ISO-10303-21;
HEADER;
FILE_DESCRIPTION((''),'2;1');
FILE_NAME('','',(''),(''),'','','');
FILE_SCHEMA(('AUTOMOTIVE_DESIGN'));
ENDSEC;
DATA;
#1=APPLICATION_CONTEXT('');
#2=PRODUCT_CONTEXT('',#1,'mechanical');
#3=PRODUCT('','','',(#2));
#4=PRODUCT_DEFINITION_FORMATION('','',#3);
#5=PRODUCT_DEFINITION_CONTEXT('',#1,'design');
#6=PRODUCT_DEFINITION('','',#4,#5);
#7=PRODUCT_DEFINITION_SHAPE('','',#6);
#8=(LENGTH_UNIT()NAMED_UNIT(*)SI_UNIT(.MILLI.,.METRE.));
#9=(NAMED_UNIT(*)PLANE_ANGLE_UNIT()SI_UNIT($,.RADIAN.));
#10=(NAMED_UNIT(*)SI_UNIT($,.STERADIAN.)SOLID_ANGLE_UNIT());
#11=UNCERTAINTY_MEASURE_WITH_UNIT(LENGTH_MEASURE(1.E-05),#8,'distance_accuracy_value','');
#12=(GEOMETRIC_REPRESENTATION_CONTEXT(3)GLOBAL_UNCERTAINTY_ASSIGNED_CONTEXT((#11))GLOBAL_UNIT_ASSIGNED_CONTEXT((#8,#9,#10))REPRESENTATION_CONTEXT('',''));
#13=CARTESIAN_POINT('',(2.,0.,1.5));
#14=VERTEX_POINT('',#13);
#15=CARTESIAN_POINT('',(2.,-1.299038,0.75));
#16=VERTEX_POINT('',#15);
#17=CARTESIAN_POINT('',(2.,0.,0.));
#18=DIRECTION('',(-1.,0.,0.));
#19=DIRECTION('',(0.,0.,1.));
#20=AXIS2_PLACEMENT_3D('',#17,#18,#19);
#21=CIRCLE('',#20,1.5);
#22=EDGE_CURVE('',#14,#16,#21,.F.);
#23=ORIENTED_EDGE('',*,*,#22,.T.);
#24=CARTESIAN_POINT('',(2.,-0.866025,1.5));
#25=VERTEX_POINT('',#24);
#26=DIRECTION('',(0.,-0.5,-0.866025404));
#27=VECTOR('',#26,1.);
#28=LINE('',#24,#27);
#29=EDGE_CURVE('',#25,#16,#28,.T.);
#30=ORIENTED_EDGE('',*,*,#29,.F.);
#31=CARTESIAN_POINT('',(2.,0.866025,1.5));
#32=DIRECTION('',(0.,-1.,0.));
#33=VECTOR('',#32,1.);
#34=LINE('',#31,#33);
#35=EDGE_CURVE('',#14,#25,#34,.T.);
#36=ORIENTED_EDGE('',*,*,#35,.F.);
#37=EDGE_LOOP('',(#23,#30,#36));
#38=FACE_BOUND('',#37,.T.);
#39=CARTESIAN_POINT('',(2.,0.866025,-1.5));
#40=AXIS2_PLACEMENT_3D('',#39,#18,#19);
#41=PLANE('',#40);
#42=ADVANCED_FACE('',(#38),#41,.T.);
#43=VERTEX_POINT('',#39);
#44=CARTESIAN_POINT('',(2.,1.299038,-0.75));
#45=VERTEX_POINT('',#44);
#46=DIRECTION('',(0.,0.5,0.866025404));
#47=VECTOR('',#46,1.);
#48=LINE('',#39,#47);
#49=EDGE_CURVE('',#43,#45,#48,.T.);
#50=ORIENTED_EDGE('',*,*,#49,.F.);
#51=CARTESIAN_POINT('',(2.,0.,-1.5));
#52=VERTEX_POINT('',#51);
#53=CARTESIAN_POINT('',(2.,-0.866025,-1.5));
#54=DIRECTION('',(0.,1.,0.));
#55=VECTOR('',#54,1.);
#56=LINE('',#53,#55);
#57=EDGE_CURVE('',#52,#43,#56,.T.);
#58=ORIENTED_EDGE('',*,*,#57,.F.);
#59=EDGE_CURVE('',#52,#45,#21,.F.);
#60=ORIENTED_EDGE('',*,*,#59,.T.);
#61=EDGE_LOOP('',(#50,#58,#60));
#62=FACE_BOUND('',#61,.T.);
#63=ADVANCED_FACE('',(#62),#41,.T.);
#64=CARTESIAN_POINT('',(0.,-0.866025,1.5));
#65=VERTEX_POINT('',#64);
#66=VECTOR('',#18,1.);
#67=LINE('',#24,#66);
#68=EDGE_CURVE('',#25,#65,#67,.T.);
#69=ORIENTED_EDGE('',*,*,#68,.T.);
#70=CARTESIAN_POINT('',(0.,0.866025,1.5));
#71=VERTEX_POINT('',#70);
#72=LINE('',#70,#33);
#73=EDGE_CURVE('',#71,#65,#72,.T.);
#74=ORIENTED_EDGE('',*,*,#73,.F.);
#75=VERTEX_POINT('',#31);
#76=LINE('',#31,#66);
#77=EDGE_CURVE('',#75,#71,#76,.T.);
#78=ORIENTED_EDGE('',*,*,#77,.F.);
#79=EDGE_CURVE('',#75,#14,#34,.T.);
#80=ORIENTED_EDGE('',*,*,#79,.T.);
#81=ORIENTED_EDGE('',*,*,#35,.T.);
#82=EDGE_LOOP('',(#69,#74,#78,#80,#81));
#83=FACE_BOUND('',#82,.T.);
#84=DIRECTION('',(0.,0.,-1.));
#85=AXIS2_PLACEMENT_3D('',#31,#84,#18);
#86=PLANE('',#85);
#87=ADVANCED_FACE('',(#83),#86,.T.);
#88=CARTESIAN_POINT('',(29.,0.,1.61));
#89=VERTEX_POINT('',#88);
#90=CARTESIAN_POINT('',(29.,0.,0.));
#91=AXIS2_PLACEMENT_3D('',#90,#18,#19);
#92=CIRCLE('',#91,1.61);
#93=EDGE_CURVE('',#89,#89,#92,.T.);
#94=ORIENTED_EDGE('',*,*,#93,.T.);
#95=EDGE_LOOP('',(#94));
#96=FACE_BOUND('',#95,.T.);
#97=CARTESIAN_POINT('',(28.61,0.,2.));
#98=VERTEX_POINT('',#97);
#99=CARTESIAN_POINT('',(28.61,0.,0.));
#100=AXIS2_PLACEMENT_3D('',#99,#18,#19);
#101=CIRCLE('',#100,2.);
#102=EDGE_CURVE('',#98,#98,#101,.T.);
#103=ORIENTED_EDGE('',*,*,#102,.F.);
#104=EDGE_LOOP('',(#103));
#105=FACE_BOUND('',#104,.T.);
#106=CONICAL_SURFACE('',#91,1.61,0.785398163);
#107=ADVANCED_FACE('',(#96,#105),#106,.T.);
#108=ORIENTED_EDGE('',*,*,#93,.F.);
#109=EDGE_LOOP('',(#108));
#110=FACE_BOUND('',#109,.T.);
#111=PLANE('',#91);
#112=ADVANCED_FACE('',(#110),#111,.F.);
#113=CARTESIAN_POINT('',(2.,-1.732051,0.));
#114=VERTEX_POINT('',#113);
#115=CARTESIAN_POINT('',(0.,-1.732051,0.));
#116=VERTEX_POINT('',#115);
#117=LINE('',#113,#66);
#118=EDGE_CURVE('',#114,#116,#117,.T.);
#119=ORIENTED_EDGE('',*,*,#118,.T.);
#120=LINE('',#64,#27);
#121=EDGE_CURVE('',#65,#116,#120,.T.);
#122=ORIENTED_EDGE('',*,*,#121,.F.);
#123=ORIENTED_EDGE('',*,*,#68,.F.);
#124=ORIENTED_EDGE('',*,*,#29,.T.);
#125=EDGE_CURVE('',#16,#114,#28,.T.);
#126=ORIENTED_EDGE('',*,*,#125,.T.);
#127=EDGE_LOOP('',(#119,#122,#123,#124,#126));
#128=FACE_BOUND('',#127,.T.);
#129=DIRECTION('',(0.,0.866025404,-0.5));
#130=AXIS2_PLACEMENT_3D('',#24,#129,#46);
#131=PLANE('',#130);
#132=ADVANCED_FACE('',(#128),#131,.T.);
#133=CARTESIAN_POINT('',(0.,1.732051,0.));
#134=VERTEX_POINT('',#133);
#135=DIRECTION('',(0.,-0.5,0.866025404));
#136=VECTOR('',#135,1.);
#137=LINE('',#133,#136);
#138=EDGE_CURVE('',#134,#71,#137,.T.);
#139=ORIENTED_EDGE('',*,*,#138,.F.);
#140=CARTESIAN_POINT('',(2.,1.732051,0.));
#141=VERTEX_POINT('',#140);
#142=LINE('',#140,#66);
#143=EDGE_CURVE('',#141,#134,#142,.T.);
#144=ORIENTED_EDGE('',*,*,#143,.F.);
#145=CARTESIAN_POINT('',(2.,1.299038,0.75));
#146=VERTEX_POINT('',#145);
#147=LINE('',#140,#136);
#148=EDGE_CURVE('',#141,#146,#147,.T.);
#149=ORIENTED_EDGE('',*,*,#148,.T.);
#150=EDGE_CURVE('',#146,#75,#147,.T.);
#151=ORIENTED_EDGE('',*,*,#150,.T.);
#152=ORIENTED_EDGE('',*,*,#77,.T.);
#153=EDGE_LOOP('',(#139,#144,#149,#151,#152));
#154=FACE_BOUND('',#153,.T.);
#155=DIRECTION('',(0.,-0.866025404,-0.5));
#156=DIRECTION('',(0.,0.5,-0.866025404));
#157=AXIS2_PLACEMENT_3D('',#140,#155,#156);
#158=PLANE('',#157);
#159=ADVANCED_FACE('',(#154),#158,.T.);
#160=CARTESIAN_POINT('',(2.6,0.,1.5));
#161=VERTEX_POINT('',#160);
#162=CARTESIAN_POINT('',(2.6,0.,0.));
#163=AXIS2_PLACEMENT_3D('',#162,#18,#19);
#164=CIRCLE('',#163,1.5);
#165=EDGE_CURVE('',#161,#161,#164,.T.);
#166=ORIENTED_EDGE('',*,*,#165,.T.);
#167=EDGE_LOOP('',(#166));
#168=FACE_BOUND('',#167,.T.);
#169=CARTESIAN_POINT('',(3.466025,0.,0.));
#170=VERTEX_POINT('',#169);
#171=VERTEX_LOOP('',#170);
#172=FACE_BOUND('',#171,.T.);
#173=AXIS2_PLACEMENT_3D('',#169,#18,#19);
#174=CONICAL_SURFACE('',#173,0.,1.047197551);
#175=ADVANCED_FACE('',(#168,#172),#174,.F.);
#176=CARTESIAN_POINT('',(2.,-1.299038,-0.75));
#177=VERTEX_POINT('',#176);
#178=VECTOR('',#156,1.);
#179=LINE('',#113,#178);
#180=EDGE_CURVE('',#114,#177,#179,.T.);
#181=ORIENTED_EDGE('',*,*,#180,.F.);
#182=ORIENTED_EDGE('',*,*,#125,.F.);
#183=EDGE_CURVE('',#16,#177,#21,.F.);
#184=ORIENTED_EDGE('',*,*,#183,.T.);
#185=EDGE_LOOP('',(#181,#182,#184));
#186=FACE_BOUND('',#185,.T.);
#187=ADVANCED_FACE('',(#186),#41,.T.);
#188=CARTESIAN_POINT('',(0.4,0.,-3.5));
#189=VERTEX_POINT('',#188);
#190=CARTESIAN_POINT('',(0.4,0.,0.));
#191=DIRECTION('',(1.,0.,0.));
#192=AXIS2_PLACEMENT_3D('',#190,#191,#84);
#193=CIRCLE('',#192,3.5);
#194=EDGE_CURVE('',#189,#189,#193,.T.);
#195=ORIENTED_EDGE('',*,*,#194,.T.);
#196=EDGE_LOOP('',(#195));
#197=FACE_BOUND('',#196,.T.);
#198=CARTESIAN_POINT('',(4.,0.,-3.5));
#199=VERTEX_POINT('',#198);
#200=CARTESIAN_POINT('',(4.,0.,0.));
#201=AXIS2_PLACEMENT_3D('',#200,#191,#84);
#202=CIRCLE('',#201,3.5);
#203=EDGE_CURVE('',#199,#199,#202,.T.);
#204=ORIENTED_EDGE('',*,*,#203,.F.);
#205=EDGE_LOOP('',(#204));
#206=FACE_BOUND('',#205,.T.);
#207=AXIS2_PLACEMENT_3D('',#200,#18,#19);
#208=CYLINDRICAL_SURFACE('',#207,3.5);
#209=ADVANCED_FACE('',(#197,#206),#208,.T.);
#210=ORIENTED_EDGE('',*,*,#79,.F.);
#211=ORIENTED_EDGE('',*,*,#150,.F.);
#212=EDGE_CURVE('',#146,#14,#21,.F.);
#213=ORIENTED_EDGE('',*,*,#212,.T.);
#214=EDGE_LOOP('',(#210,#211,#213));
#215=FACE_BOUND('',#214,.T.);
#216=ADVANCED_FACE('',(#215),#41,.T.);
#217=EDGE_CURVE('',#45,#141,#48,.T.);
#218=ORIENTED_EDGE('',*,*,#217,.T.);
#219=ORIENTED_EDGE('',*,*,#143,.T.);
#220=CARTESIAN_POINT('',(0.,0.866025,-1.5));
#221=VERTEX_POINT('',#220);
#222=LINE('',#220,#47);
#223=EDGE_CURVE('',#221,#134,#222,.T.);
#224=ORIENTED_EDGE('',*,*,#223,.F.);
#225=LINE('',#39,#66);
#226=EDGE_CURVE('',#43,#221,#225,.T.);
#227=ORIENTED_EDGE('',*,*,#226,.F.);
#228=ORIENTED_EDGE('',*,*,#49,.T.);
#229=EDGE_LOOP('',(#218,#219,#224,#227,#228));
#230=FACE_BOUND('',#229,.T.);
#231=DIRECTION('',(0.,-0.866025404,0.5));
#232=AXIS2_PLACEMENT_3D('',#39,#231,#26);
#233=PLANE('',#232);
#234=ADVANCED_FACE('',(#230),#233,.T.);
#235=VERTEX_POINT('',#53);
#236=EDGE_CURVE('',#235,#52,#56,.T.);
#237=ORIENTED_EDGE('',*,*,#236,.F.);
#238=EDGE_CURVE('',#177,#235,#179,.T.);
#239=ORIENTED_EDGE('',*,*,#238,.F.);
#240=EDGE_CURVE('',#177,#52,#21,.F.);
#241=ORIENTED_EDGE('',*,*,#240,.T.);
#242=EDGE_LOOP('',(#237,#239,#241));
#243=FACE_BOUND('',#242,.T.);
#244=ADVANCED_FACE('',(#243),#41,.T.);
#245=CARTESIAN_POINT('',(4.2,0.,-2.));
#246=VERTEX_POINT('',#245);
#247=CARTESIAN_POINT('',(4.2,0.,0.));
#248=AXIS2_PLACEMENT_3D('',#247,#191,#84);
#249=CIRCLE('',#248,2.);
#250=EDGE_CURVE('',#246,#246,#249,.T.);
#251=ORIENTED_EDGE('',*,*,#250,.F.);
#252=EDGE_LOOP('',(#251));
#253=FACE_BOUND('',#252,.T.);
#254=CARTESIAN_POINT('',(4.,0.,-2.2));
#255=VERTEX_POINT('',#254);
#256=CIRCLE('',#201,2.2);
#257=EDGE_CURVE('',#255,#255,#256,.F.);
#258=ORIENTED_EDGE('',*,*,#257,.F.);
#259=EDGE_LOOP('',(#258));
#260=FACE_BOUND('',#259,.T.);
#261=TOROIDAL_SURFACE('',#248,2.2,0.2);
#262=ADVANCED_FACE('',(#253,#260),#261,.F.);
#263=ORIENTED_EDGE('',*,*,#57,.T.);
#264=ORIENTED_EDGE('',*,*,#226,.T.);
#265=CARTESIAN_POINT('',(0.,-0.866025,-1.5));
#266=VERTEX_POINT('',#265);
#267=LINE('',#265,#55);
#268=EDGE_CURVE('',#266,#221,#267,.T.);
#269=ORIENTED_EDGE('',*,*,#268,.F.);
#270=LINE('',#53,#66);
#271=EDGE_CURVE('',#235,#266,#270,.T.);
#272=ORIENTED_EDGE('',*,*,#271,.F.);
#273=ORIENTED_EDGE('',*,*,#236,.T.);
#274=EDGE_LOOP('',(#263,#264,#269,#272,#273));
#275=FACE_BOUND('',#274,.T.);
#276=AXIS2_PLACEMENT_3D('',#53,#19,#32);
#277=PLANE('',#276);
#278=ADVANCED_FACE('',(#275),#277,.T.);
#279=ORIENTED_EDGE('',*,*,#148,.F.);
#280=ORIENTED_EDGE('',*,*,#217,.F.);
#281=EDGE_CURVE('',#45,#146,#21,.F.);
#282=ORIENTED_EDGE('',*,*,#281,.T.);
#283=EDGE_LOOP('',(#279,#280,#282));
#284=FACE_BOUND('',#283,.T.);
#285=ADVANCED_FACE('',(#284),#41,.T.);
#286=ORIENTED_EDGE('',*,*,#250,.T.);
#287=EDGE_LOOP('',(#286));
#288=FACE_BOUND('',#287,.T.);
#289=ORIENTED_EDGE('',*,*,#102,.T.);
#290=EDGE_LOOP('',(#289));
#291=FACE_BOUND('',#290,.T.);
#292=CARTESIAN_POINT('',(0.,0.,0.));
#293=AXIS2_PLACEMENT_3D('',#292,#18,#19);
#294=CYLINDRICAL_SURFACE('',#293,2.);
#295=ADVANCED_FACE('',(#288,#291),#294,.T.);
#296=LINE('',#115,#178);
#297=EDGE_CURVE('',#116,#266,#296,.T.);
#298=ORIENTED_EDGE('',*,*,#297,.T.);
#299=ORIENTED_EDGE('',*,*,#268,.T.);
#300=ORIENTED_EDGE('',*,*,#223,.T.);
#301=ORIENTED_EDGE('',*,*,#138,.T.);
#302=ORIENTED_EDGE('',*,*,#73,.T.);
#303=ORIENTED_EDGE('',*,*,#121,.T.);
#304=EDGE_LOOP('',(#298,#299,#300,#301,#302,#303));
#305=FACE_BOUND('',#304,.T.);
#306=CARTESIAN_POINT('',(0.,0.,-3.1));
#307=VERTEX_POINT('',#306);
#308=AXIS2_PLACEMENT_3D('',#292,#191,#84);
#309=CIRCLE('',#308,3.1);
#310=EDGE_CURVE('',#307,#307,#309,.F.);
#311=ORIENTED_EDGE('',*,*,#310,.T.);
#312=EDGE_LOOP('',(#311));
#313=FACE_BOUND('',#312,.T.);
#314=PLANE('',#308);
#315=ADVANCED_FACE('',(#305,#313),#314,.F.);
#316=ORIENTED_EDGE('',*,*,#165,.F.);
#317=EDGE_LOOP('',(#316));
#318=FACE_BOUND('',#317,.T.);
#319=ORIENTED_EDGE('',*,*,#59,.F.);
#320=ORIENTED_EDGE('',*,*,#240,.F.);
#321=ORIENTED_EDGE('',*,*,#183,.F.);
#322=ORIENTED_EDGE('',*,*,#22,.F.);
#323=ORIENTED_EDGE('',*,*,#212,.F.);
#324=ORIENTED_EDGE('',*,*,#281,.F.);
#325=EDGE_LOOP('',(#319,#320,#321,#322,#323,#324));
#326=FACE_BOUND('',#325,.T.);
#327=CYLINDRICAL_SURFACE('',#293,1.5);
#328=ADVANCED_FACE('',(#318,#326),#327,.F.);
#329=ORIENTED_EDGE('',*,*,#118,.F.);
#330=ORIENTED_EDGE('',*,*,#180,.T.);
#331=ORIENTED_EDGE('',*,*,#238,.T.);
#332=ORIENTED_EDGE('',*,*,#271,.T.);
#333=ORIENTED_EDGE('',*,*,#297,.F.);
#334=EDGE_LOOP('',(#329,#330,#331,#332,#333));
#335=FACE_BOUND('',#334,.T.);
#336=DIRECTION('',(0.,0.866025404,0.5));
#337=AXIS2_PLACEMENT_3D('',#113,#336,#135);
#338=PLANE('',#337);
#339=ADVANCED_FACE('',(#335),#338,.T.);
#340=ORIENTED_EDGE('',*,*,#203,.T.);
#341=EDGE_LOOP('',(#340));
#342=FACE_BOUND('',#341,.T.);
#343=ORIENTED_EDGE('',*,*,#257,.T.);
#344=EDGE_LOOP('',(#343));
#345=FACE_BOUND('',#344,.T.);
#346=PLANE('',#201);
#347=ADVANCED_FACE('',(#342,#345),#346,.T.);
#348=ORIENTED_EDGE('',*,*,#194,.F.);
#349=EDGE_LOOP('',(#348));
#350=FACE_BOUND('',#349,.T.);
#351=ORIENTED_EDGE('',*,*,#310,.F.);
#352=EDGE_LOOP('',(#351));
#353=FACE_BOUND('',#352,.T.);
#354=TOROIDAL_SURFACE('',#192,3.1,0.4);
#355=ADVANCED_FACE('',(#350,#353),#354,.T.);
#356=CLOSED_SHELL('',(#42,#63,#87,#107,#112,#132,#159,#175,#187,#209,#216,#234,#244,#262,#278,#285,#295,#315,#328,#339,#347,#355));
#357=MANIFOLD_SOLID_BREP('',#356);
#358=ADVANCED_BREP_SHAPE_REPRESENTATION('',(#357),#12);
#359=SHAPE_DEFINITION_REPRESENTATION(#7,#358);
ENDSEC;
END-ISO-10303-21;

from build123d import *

# Parameters (mm, degrees)
BASEHEADSKE_R   = 3.5
BASEHEAD_DEPTH  = 4
CUTSOCKET_DEPTH = 2
FILLET1_R       = 0.2
FILLET2_R       = 0.4


with BuildPart() as part:
    # BaseHeadSke → BaseHead (new body)
    with BuildSketch(Plane(origin=(0, 0, 0), x_dir=(0, 0, -1), z_dir=(1, 0, 0))):
        Circle(BASEHEADSKE_R)
    extrude(amount=BASEHEAD_DEPTH)

    # BodySke → BaseBody (revolve)
    with BuildSketch(Plane.XY, mode=Mode.PRIVATE) as basebody_sk:
        Polygon((0, 0), (29, 0), (29, 1.61), (28.61, 2), (0, 2), align=None)
    revolve(basebody_sk.sketch.rotate(Axis((0, 0, 0), (1, 0, 0)), 90), axis=Axis((0, 0, 0), (1, 0, 0)))

    # CutSocketSke → CutSocket (cut)
    with BuildSketch(Plane(origin=(0, 0, 0), x_dir=(0, 0, -1), z_dir=(1, 0, 0))):
        Polygon((0, 1.732050808), (-1.5, 0.866025404), (-1.5, -0.866025404), (0, -1.732050808), (1.5, -0.866025404), (1.5, 0.866025404), align=None)
    extrude(amount=CUTSOCKET_DEPTH, mode=Mode.SUBTRACT)

    # CutHoleSke → CutHole (revolve, cut)
    with BuildSketch(Plane.XY, mode=Mode.PRIVATE) as cuthole_sk:
        Polygon((0, 1.5), (2.6, 1.5), (3.466025404, 0), (0, 0), align=None)
    revolve(cuthole_sk.sketch.rotate(Axis((0, 0, 0), (1, 0, 0)), 90), axis=Axis((0, 0, 0), (1, 0, 0)), mode=Mode.SUBTRACT)

    # Fillet1
    fillet1_edges = [part.edges().sort_by_distance(p)[0] for p in [
        (4, 0, -2),
    ]]
    fillet(fillet1_edges, radius=FILLET1_R)

    # Fillet2
    fillet2_edges = [part.edges().sort_by_distance(p)[0] for p in [
        (0, 0, 3.5),
    ]]
    fillet(fillet2_edges, radius=FILLET2_R)


solid = part.part
